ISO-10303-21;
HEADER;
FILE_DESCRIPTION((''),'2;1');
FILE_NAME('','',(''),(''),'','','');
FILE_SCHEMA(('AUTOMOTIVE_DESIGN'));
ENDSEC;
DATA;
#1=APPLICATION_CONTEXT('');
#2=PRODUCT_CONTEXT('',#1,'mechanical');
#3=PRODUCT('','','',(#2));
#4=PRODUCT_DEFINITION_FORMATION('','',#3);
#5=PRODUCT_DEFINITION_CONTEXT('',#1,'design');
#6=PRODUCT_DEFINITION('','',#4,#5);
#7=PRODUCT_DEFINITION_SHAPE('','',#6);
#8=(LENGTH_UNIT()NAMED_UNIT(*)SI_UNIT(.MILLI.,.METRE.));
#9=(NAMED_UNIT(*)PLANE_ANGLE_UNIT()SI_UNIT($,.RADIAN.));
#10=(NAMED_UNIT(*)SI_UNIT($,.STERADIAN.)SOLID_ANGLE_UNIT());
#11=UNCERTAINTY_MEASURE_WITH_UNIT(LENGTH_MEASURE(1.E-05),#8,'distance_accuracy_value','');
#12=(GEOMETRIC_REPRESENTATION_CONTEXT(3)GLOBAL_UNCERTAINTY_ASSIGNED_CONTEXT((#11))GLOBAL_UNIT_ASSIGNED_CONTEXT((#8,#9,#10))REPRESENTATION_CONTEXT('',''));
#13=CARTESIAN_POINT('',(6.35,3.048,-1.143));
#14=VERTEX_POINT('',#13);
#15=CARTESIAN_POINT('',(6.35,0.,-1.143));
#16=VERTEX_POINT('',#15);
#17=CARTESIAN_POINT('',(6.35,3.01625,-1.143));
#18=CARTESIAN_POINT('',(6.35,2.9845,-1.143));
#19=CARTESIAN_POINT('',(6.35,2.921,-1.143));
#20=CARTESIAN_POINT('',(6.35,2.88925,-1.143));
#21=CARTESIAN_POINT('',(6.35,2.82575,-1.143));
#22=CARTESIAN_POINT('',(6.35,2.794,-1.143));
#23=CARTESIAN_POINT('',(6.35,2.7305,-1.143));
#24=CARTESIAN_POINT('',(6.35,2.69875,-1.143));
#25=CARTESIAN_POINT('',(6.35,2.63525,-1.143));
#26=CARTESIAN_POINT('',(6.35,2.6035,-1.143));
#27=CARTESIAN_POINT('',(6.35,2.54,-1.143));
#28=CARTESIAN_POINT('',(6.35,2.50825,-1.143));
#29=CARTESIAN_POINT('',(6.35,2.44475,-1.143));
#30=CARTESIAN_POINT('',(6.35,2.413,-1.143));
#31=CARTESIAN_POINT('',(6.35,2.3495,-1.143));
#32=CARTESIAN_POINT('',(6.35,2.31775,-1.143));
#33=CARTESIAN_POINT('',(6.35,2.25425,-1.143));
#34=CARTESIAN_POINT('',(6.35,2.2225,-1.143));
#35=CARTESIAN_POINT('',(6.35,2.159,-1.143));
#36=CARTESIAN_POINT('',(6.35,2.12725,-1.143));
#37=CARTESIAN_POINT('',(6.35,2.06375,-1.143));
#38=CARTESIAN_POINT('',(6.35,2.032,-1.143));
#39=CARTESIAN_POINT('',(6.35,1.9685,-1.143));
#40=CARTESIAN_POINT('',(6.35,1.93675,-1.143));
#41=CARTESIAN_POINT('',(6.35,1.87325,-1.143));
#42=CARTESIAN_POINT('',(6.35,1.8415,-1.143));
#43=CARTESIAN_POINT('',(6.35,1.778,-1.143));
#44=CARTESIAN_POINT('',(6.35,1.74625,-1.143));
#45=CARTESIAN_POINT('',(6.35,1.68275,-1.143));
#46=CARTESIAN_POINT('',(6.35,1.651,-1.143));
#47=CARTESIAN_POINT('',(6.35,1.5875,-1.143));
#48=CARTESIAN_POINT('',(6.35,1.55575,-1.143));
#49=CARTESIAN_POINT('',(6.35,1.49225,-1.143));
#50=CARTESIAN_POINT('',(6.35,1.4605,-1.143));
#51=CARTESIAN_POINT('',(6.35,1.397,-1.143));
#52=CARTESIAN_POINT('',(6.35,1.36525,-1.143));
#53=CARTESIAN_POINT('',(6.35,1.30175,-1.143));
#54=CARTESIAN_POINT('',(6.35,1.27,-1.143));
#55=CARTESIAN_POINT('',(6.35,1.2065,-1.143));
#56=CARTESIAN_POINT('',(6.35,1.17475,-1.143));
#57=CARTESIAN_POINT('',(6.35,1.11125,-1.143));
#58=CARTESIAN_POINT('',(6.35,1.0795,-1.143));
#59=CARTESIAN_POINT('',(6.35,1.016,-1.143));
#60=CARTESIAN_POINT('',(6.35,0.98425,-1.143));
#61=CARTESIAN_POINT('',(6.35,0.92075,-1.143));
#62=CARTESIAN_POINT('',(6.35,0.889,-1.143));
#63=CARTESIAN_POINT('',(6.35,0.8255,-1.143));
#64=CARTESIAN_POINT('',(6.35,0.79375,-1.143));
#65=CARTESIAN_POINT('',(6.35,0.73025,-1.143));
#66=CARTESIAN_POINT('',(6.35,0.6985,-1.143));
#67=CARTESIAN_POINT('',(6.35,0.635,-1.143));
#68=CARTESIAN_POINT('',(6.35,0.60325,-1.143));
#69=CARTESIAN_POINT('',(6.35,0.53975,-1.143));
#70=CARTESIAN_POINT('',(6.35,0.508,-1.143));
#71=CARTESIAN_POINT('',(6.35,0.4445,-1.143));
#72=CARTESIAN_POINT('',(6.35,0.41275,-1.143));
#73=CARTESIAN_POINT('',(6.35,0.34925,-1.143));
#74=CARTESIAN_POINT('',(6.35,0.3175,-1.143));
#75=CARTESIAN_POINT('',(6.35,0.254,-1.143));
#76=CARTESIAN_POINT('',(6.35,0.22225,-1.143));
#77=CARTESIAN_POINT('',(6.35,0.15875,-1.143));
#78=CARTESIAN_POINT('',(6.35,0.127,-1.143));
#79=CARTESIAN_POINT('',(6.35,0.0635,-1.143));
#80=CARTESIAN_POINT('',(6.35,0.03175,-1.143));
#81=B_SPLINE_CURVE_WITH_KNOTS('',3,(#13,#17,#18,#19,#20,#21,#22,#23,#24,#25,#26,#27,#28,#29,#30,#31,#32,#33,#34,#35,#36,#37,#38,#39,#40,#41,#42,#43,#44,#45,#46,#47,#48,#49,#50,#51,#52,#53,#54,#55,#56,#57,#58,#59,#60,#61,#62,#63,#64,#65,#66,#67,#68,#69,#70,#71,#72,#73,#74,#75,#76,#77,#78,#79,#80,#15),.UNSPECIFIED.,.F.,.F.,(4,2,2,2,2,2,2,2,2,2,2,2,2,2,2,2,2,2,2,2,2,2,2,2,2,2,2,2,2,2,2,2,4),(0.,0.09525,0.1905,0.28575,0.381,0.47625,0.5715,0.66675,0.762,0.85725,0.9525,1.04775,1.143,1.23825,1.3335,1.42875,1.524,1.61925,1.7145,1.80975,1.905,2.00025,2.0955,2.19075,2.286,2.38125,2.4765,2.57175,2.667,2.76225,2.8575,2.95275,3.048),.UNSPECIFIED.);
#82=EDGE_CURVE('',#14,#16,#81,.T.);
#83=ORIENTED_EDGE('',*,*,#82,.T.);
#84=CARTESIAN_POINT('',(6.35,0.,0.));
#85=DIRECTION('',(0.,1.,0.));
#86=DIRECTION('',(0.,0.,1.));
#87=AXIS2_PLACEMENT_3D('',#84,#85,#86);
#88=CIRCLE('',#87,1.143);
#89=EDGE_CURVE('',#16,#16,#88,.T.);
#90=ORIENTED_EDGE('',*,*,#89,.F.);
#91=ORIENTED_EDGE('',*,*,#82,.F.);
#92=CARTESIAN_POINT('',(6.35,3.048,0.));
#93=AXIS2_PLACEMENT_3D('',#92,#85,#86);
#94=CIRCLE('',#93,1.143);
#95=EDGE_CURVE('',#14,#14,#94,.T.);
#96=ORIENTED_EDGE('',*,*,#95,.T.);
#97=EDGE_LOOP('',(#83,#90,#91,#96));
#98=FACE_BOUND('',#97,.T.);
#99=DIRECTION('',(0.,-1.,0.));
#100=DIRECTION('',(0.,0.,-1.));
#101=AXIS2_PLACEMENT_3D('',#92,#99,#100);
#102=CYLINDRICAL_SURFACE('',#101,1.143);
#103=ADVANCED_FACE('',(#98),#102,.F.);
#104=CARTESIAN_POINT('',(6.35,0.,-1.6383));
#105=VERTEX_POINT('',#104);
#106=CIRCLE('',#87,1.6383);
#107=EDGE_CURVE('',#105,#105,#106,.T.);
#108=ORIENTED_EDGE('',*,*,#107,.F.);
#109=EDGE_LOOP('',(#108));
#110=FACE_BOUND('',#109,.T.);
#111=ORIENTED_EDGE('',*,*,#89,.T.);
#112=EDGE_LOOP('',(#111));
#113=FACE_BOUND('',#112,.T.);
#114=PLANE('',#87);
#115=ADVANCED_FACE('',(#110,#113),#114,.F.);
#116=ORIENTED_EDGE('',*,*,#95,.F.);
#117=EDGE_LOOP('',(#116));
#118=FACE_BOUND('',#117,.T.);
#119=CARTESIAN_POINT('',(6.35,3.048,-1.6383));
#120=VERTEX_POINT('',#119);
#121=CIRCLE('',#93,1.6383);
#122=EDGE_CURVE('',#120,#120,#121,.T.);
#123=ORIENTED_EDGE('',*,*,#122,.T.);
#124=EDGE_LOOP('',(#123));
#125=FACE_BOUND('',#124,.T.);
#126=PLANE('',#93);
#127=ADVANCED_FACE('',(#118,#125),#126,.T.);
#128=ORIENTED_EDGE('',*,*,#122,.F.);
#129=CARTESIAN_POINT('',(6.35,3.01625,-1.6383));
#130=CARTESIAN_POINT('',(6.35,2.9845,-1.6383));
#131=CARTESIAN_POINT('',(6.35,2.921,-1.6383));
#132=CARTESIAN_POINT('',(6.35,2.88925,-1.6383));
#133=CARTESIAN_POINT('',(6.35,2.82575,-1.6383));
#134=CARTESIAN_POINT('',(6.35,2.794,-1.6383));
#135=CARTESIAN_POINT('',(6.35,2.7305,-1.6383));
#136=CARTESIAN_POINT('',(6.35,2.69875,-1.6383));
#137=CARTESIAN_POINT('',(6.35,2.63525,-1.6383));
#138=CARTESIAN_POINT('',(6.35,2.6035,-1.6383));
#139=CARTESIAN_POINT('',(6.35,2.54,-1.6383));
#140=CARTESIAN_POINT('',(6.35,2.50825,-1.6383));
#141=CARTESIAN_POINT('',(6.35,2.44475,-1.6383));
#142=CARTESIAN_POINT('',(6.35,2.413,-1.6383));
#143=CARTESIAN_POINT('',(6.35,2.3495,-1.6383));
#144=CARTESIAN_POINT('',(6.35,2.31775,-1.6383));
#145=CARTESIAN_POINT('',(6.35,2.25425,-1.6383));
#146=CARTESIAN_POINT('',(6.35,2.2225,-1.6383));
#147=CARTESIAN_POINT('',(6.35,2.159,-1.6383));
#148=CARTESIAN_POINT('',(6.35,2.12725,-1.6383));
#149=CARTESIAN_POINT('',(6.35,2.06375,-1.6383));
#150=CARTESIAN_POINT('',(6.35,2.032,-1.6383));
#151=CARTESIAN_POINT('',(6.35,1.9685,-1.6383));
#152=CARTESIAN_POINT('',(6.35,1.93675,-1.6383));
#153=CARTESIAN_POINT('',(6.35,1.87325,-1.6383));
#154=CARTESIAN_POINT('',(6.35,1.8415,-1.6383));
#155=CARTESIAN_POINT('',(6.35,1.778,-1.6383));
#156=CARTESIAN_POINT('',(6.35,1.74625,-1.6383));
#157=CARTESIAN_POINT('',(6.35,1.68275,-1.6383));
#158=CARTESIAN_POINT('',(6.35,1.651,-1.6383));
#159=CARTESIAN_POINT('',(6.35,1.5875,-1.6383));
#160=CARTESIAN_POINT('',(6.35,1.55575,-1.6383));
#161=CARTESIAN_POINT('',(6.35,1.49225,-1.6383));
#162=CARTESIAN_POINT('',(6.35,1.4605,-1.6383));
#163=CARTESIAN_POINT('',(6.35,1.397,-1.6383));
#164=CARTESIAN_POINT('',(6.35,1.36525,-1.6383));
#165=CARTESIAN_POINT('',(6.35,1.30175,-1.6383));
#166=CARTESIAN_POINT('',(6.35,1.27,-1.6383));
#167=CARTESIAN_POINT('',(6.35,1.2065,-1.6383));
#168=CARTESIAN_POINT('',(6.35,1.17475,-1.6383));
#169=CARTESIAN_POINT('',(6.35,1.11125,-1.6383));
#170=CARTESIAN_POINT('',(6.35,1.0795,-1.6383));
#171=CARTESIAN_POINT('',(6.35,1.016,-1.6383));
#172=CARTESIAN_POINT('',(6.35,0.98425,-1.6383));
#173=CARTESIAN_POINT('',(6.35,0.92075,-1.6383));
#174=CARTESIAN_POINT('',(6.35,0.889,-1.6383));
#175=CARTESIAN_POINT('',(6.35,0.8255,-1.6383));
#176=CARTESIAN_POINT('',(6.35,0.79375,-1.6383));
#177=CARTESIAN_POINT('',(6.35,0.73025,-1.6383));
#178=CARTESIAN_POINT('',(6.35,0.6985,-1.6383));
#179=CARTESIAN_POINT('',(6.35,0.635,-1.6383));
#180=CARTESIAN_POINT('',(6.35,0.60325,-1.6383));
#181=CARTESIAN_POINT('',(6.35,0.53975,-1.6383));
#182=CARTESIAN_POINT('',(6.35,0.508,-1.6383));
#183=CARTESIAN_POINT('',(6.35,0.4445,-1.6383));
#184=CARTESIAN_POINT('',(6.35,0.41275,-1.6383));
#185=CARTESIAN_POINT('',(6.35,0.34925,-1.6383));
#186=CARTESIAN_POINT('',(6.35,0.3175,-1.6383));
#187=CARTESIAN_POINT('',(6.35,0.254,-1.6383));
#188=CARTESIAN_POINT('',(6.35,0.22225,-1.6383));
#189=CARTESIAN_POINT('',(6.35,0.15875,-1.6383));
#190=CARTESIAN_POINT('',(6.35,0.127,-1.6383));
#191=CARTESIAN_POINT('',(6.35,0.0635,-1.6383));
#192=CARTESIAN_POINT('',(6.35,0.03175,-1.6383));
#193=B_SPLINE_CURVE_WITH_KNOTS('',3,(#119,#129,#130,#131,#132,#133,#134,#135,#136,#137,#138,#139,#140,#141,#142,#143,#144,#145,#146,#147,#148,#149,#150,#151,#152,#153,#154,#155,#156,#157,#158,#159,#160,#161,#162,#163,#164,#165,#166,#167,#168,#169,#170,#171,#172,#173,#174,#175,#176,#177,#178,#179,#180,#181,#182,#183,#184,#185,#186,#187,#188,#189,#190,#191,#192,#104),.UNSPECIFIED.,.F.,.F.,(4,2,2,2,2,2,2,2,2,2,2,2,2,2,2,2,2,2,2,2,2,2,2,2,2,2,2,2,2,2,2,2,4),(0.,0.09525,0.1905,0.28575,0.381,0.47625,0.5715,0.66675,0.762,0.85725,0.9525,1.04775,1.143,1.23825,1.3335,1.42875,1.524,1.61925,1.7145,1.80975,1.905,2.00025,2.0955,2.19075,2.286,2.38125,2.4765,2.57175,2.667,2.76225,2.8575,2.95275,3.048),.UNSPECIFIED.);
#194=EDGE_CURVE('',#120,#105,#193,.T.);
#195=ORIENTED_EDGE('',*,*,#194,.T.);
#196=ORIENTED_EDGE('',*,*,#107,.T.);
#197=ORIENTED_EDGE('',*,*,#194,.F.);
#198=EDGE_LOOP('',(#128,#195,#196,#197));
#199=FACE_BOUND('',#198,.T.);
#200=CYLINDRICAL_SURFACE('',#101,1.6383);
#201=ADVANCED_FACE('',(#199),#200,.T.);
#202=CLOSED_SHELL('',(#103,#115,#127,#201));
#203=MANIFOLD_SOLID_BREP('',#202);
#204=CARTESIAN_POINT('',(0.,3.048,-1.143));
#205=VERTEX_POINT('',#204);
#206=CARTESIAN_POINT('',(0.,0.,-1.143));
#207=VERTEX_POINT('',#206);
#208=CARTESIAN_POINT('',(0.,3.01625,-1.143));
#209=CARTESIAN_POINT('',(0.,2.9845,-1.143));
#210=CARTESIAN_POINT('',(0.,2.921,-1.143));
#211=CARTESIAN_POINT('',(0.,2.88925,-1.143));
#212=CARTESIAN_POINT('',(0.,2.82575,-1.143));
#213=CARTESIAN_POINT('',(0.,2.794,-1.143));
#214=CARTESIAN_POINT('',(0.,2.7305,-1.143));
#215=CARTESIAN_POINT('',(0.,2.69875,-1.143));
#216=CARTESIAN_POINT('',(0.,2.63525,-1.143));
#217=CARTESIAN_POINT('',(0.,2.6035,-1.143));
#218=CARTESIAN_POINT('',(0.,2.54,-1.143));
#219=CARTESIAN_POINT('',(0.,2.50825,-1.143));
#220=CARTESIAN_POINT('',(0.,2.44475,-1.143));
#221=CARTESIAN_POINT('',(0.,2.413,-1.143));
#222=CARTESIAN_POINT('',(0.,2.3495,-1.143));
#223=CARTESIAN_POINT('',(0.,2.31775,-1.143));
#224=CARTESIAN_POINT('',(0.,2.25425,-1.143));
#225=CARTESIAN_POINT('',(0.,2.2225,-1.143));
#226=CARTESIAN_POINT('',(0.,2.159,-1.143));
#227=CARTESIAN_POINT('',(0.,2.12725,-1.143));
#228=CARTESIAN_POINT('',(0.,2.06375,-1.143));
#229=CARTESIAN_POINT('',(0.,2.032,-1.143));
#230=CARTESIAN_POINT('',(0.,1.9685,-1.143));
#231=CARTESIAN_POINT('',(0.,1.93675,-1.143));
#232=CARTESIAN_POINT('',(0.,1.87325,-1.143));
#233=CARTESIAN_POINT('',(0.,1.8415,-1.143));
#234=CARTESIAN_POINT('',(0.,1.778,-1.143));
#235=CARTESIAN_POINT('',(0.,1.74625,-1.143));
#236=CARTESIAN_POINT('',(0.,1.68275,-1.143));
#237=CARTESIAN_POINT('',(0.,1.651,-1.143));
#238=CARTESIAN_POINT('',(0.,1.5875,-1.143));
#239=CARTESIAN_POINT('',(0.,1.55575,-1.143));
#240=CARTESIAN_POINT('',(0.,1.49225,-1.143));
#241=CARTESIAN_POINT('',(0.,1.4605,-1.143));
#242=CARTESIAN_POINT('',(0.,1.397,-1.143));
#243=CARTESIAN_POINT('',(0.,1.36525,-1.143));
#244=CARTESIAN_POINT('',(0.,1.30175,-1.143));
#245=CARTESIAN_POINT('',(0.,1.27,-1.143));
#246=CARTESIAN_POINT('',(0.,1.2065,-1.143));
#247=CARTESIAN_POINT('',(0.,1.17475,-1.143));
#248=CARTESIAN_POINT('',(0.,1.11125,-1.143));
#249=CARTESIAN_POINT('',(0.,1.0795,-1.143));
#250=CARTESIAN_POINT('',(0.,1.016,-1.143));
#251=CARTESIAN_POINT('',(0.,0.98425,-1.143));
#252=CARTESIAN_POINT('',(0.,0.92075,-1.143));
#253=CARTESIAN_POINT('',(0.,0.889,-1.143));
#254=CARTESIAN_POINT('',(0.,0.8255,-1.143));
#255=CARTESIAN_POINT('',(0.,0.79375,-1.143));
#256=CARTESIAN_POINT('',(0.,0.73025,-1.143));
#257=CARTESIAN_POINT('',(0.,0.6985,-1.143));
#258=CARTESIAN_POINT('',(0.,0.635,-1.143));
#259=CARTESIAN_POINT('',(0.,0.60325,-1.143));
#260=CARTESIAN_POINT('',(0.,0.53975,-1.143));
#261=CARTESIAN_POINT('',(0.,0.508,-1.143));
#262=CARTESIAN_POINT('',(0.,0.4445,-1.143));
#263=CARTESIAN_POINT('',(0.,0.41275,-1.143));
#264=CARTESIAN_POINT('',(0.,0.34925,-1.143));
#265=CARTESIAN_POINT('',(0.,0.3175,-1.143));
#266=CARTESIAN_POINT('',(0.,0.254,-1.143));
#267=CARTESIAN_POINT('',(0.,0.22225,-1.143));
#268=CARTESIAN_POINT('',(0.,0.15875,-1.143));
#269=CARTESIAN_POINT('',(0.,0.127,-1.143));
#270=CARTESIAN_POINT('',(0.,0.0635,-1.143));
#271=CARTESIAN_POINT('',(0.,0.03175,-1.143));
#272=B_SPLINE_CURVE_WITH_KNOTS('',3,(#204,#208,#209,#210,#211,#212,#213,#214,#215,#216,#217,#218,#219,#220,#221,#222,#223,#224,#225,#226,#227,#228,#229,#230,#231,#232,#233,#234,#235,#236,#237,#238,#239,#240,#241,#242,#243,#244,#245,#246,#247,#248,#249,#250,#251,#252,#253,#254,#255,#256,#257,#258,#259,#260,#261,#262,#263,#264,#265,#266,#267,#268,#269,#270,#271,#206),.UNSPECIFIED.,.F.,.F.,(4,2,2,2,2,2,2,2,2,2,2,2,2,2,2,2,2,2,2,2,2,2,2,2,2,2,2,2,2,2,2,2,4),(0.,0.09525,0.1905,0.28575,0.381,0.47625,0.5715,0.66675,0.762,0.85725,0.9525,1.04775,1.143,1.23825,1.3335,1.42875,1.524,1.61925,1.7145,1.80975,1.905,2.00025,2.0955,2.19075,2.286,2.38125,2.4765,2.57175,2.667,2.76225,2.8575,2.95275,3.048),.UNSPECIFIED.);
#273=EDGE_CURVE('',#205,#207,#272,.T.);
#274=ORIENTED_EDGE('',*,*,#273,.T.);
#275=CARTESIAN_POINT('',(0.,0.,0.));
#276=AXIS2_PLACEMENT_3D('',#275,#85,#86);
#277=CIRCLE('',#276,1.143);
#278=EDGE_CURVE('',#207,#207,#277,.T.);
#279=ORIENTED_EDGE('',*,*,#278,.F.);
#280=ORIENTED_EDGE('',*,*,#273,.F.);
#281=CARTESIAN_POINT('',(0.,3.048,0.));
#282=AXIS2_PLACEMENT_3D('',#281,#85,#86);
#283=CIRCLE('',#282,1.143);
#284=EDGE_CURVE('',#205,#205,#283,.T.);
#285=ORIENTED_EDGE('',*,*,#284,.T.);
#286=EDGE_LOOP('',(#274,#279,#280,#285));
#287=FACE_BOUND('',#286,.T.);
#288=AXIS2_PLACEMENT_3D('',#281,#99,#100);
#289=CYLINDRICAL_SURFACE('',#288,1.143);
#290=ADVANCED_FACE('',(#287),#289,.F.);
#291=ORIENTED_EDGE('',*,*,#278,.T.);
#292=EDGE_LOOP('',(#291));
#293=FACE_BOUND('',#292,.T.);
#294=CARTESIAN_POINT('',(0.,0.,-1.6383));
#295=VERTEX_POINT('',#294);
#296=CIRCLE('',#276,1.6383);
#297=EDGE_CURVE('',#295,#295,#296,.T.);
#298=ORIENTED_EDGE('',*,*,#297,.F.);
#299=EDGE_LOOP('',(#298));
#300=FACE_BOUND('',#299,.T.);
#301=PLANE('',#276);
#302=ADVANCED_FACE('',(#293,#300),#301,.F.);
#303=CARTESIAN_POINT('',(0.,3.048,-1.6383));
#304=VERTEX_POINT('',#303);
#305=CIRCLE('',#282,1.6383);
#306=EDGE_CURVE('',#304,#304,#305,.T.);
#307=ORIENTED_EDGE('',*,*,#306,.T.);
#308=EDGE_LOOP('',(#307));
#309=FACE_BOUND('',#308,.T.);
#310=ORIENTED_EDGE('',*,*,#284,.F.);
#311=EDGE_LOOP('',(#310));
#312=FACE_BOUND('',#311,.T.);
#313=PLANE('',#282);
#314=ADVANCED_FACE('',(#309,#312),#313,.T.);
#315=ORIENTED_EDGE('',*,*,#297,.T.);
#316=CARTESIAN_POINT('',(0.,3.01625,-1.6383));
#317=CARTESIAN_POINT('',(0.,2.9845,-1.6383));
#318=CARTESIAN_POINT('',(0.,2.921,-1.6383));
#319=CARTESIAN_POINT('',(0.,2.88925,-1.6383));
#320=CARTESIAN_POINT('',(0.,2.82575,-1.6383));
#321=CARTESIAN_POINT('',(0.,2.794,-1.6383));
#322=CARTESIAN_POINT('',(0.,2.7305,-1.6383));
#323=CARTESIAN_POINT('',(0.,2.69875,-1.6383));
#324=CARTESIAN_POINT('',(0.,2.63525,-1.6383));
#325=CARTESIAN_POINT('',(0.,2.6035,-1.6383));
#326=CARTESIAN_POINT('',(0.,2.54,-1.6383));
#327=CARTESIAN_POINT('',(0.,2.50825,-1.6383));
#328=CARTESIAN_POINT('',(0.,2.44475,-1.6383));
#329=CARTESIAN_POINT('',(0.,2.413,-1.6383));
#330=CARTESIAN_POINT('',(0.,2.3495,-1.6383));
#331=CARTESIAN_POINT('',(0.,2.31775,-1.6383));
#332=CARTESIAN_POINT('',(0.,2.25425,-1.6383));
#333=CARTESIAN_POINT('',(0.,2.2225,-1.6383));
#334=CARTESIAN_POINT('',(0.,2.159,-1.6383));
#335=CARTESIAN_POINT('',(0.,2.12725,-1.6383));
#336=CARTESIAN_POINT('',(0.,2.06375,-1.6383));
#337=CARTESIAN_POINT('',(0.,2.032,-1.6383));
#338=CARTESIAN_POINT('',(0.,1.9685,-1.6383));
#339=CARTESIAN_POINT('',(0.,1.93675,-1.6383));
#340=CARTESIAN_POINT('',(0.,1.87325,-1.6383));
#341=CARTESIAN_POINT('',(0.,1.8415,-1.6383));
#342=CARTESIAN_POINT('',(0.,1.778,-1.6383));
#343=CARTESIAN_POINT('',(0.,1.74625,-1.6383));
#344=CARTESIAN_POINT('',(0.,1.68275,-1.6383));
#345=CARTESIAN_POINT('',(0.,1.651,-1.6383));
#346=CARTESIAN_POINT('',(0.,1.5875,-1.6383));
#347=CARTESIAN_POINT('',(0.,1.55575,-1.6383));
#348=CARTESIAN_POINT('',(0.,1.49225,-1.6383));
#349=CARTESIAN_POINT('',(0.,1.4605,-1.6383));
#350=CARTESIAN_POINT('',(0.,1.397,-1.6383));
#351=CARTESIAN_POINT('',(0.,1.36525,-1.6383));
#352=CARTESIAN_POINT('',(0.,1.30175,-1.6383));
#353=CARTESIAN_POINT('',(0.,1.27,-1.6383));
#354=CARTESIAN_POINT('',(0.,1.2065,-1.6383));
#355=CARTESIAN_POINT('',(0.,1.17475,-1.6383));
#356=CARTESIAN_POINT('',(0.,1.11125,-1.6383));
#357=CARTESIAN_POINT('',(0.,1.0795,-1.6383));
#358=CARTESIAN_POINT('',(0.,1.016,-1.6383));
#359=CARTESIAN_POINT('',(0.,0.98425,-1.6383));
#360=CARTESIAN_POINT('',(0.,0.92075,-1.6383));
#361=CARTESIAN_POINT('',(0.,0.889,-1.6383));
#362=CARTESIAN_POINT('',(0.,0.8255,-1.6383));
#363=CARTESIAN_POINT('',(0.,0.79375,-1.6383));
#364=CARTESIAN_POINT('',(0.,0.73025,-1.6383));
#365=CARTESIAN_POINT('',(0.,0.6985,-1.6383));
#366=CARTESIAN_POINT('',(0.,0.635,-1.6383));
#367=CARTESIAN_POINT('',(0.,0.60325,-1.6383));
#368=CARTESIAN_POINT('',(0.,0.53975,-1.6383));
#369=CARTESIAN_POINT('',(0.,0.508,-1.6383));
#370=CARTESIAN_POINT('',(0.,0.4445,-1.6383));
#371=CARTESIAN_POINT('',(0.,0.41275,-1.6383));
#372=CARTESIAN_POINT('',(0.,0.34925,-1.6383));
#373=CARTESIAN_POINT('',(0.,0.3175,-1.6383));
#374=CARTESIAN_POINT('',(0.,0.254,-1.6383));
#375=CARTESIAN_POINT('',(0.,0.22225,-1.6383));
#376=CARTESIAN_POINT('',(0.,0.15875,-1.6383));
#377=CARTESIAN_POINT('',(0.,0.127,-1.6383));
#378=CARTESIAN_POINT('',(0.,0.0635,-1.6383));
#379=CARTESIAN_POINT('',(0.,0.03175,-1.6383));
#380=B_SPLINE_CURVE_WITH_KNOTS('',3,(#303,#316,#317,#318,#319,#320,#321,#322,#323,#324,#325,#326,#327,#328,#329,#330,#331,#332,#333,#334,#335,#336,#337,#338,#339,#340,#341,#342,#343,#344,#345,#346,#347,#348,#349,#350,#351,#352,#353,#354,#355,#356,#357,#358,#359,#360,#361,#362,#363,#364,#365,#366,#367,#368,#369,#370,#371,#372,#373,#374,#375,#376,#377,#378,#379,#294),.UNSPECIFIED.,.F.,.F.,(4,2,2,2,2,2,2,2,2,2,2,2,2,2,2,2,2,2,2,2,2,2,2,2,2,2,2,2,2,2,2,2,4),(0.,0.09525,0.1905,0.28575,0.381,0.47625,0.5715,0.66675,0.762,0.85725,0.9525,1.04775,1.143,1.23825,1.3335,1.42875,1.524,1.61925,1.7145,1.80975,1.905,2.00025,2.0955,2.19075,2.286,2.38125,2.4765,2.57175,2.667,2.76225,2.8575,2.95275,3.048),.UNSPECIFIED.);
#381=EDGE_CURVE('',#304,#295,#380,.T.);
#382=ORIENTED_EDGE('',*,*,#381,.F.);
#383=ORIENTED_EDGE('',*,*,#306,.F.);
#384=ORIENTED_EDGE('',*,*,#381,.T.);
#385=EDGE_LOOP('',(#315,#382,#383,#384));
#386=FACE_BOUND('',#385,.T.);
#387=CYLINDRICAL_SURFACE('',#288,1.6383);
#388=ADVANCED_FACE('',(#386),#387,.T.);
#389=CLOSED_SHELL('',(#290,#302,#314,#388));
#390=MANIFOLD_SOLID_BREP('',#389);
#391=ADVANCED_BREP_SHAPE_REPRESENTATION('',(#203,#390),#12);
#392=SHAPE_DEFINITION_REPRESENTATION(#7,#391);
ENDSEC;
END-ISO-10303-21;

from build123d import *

# Parameters (mm, degrees)
SKETCH1_R             = 1.6383
SKETCH1_R_2           = 1.143
BOSS_EXTRUDE1_DEPTH   = 3.048
BOSS_EXTRUDE1_2_DEPTH = 3.048


with BuildPart() as part:
    # Sketch1 → Boss-Extrude1 (new body)
    with BuildSketch(Plane(origin=(0, 0, 0), x_dir=(1, 0, 0), z_dir=(0, 1, 0))):
        with Locations(Location((6.35, 0, 0), (0, 0, 90))):
            Circle(SKETCH1_R)
        with Locations(Location((6.35, 0, 0), (0, 0, 90))):
            Circle(SKETCH1_R_2, mode=Mode.SUBTRACT)
    extrude(amount=BOSS_EXTRUDE1_DEPTH)


with BuildPart() as body_2:
    # Sketch1 → Boss-Extrude1 2 (new body)
    with BuildSketch(Plane(origin=(0, 0, 0), x_dir=(1, 0, 0), z_dir=(0, 1, 0))):
        with Locations(Location((0, 0, 0), (0, 0, 90))):
            Circle(SKETCH1_R)
        with Locations(Location((0, 0, 0), (0, 0, 90))):
            Circle(SKETCH1_R_2, mode=Mode.SUBTRACT)
    extrude(amount=BOSS_EXTRUDE1_2_DEPTH)


solid = Compound([part.part, body_2.part])
